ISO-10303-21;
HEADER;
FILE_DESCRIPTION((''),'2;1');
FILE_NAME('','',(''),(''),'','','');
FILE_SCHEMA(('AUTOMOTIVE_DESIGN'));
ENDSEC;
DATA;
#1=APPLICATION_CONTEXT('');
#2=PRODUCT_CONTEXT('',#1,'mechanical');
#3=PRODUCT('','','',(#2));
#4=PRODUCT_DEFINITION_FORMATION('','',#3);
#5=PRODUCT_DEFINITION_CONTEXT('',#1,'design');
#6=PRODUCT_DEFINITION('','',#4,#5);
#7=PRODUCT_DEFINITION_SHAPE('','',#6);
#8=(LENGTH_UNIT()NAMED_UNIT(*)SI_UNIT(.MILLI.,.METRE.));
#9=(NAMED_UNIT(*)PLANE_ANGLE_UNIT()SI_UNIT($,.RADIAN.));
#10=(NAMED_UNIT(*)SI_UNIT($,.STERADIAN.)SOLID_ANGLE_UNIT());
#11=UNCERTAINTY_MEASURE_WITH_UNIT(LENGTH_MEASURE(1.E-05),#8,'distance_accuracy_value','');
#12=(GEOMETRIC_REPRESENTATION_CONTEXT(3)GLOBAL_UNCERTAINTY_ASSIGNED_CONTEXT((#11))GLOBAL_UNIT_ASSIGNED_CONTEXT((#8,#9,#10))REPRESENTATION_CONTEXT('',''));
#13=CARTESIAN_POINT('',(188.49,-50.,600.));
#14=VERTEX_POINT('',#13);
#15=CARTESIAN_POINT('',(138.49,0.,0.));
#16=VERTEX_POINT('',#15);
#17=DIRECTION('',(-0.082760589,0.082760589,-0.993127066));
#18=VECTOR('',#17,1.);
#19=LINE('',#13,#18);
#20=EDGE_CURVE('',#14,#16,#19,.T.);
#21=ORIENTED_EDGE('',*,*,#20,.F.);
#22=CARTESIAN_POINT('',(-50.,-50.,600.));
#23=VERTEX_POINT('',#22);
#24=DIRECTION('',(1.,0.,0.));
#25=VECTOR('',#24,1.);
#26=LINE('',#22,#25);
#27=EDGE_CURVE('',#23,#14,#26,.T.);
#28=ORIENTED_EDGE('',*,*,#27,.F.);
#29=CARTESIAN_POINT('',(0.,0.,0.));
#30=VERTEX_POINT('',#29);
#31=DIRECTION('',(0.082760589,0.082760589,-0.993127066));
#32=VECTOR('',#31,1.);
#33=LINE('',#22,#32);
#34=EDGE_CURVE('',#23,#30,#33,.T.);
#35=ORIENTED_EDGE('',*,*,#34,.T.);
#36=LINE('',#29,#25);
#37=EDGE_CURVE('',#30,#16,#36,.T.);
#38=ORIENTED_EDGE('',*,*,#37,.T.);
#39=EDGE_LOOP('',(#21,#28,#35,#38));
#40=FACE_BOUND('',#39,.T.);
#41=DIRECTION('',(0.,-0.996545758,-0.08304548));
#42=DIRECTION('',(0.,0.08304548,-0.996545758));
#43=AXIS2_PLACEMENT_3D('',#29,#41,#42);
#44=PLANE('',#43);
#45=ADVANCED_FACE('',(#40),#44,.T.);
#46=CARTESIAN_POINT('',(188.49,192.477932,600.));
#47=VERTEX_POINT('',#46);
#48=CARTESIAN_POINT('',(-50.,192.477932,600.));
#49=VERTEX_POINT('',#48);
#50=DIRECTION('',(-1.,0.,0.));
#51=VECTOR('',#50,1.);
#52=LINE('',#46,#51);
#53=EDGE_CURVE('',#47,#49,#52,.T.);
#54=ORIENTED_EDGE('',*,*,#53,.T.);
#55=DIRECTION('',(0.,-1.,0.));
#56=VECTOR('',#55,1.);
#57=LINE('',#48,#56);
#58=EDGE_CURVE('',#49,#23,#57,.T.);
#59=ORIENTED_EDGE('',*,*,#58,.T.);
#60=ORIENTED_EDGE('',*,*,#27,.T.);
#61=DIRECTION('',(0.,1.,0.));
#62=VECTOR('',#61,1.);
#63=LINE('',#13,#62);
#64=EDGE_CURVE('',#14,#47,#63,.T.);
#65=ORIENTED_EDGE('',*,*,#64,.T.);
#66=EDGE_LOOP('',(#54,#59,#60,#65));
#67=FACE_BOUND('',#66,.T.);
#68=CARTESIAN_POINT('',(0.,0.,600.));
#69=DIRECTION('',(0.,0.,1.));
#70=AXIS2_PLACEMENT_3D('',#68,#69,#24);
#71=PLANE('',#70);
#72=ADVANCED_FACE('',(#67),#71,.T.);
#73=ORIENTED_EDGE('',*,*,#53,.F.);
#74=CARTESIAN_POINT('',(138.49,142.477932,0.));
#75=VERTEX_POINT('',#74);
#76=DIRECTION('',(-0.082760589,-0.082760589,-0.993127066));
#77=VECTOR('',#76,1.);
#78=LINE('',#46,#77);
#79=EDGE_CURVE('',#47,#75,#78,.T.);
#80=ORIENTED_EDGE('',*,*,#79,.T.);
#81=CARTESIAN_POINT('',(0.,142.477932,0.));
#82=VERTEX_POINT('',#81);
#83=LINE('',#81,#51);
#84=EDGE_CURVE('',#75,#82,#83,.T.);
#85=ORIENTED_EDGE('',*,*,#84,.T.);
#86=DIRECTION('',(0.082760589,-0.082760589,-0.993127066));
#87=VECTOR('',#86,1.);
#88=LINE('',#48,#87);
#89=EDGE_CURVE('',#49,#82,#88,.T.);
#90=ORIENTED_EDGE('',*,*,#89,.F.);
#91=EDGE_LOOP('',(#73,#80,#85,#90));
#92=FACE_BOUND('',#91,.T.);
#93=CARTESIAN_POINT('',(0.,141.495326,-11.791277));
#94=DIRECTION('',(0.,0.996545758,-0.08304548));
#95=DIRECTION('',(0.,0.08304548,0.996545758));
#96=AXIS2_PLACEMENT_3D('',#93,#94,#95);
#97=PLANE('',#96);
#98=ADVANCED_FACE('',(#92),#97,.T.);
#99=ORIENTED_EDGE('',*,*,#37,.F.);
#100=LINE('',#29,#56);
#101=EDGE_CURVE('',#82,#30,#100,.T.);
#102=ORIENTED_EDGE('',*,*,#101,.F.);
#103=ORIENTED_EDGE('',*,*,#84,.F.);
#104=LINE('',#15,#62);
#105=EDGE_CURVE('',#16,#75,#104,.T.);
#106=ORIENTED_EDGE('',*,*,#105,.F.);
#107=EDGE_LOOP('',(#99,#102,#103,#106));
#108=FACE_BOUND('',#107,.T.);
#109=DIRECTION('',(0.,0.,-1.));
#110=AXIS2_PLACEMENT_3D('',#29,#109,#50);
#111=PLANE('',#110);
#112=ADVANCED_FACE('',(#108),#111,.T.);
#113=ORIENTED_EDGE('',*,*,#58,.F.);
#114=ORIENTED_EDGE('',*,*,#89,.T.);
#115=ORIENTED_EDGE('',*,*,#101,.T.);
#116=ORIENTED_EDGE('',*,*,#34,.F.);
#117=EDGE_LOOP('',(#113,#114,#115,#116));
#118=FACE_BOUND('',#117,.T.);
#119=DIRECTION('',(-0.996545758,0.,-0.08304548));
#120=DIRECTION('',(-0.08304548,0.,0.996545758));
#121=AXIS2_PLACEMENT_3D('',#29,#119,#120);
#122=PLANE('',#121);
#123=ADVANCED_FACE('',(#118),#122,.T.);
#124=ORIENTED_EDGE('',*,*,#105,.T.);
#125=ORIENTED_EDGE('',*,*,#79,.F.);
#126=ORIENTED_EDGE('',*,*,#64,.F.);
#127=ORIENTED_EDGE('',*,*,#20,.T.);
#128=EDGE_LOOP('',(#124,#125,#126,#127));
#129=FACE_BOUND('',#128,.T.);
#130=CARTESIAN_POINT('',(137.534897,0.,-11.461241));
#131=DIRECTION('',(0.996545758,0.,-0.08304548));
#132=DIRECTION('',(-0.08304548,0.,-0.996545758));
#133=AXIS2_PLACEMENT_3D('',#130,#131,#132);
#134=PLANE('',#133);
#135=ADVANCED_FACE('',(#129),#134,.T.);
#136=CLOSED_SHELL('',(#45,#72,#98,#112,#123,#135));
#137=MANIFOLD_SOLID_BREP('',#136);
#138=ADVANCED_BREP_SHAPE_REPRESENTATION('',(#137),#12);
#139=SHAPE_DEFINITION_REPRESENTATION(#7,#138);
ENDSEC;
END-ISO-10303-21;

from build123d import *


with BuildPart() as part:
    # Sketch2 → Loft1 section 0
    with BuildSketch(Plane.XY.offset(600)):
        with BuildLine():
            Line((-50, 192.477931937), (-50, -50))
            Line((-50, -50), (188.49, -50))
            Line((188.49, -50), (188.49, 192.477931937))
            Line((188.49, 192.477931937), (-50, 192.477931937))
        make_face()
    # Sketch1 → Loft1 section 1
    with BuildSketch(Plane.XY):
        with BuildLine():
            Line((0, 0), (138.49, 0))
            Line((138.49, 0), (138.49, 142.477931937))
            Line((138.49, 142.477931937), (0, 142.477931937))
            Line((0, 142.477931937), (0, 0))
        make_face()
    loft()


solid = part.part
